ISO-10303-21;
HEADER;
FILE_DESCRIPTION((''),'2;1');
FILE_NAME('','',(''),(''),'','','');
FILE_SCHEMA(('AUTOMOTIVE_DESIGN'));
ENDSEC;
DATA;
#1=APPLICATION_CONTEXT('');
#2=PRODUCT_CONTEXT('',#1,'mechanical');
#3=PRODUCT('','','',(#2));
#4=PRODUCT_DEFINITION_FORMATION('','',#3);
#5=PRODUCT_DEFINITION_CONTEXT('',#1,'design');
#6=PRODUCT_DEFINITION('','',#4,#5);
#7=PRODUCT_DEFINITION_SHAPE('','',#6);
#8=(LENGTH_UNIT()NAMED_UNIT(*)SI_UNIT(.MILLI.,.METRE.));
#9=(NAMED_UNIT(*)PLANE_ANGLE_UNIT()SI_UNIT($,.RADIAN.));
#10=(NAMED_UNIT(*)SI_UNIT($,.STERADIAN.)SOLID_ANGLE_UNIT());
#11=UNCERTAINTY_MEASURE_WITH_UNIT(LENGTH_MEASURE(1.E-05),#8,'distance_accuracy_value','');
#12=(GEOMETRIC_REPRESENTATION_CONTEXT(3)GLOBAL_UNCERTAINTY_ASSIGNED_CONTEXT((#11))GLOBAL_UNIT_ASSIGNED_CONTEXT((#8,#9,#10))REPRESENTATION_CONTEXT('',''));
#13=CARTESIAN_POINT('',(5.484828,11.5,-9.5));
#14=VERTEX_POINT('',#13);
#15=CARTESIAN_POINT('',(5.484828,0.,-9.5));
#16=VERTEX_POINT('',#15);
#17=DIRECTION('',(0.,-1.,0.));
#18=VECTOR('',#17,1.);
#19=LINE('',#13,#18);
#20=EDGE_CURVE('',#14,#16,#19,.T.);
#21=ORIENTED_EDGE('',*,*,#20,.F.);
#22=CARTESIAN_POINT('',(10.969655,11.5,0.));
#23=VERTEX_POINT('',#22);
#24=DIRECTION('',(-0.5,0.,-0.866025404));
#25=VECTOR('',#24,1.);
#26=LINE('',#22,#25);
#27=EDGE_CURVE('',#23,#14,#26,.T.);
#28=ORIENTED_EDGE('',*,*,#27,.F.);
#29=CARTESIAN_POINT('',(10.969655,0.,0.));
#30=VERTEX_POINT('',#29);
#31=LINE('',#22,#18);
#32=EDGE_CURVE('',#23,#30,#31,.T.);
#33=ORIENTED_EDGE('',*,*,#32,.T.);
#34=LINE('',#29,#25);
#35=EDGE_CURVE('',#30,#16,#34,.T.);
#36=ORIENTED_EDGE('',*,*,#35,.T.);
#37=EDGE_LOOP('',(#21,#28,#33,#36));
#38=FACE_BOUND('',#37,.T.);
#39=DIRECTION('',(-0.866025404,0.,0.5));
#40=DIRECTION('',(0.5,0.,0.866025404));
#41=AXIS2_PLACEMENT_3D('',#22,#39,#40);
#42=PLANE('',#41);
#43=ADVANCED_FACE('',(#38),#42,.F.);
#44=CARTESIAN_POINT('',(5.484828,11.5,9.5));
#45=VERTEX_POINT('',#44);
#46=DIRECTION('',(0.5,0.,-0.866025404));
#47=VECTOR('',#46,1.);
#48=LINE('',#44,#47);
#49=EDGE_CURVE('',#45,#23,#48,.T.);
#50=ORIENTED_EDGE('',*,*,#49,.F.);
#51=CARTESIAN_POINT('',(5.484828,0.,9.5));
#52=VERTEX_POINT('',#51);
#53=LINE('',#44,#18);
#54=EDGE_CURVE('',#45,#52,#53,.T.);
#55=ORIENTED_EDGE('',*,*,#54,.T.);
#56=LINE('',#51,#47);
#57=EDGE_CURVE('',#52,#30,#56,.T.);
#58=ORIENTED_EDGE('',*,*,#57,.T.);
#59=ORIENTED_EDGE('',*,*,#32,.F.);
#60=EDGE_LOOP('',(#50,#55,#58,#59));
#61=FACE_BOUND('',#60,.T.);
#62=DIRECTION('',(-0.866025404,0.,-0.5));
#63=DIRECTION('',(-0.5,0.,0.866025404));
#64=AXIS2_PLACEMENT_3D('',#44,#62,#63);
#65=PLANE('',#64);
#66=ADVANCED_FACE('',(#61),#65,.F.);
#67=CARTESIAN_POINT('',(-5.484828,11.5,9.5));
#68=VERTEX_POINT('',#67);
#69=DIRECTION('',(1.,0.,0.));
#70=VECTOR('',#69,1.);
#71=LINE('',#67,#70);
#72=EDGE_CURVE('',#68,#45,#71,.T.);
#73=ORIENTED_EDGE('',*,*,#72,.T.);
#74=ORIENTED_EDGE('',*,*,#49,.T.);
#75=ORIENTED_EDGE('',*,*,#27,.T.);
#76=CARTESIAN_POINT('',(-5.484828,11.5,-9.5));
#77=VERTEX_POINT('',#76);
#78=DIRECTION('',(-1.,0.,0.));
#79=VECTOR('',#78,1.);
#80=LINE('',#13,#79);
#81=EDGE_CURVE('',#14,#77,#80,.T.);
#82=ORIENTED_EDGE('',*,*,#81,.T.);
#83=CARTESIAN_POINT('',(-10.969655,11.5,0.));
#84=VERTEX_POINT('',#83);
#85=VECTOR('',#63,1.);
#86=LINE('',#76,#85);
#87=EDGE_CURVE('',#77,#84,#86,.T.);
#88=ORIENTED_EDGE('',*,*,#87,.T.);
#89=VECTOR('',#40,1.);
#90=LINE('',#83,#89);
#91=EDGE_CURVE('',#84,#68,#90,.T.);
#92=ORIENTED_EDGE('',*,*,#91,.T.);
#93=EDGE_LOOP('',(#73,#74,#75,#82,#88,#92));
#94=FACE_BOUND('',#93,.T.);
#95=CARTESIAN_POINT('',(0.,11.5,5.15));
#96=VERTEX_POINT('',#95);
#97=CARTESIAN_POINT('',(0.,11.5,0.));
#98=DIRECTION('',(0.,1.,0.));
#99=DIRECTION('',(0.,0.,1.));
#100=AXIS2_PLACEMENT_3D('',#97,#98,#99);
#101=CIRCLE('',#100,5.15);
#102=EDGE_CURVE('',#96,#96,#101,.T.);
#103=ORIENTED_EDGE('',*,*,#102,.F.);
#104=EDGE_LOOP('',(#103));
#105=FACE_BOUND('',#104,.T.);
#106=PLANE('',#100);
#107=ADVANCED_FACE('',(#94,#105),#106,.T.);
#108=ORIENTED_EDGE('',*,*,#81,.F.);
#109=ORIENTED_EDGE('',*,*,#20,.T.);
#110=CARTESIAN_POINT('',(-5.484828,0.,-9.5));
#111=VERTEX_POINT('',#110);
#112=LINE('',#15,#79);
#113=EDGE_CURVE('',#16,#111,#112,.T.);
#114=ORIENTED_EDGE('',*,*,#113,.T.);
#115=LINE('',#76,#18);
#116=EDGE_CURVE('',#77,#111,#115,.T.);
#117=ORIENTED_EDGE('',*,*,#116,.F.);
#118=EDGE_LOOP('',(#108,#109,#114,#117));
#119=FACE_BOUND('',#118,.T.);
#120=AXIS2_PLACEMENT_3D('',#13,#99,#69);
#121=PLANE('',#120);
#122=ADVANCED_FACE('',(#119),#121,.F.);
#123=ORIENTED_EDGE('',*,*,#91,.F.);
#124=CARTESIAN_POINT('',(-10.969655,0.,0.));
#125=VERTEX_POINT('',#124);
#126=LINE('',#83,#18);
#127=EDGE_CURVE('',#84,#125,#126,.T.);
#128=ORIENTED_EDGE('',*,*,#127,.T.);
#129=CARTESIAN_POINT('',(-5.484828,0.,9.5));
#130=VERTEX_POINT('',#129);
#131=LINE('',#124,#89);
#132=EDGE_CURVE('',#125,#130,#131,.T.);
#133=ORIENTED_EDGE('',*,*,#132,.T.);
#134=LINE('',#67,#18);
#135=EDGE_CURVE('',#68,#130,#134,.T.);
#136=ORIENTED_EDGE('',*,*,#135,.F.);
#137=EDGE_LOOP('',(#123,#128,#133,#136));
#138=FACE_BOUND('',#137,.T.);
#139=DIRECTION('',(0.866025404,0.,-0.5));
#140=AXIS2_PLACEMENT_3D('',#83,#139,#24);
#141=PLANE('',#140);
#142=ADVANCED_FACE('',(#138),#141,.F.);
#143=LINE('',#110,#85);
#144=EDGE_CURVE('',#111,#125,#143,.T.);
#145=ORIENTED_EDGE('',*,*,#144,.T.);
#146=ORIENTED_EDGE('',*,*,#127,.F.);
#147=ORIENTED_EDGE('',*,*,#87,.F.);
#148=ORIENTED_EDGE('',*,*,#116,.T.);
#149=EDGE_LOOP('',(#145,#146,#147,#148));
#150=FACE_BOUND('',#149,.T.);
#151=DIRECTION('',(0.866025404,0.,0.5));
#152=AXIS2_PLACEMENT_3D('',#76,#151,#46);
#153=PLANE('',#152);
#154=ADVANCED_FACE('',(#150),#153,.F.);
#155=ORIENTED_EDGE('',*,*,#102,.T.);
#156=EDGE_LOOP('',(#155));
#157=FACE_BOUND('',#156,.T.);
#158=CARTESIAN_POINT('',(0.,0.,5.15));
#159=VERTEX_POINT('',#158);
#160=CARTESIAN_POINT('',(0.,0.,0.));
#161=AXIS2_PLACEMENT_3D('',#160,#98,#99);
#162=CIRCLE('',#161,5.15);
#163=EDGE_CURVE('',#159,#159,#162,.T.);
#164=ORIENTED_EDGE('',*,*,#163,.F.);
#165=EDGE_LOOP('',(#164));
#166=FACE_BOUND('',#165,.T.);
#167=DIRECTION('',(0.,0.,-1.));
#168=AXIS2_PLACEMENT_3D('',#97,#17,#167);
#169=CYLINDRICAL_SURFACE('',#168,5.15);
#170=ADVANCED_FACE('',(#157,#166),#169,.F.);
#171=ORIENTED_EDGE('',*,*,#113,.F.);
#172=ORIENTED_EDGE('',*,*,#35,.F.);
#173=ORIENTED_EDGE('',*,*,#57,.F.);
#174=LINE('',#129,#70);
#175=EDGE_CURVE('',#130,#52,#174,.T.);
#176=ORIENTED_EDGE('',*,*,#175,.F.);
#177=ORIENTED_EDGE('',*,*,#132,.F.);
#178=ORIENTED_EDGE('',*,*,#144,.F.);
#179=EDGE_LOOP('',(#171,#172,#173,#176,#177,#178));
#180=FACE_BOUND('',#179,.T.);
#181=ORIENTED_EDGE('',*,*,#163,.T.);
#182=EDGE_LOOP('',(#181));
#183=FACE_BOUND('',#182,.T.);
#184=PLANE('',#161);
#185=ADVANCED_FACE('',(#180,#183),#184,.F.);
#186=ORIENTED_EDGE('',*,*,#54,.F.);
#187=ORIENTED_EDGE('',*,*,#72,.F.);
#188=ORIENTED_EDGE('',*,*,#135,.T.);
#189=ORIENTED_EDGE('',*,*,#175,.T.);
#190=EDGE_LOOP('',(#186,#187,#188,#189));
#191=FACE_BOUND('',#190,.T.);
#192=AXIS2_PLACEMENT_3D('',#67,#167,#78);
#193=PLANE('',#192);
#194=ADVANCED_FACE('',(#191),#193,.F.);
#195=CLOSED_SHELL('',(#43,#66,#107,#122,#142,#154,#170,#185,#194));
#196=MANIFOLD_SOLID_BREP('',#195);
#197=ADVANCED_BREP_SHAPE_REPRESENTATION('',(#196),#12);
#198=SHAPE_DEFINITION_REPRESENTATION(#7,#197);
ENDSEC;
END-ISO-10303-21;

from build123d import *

# Parameters (mm, degrees)
SKETCH1_R           = 5.15
BOSS_EXTRUDE1_DEPTH = 11.5


with BuildPart() as part:
    # Sketch1 → Boss-Extrude1 (new body)
    with BuildSketch(Plane(origin=(0, 0, 0), x_dir=(1, 0, 0), z_dir=(0, 1, 0))):
        Polygon((10.969655115, 0), (5.484827557, 9.5), (-5.484827557, 9.5), (-10.969655115, 0), (-5.484827557, -9.5), (5.484827557, -9.5), align=None)
        with Locations(Location((0, 0, 0), (0, 0, 270))):
            Circle(SKETCH1_R, mode=Mode.SUBTRACT)
    extrude(amount=BOSS_EXTRUDE1_DEPTH)


solid = part.part
